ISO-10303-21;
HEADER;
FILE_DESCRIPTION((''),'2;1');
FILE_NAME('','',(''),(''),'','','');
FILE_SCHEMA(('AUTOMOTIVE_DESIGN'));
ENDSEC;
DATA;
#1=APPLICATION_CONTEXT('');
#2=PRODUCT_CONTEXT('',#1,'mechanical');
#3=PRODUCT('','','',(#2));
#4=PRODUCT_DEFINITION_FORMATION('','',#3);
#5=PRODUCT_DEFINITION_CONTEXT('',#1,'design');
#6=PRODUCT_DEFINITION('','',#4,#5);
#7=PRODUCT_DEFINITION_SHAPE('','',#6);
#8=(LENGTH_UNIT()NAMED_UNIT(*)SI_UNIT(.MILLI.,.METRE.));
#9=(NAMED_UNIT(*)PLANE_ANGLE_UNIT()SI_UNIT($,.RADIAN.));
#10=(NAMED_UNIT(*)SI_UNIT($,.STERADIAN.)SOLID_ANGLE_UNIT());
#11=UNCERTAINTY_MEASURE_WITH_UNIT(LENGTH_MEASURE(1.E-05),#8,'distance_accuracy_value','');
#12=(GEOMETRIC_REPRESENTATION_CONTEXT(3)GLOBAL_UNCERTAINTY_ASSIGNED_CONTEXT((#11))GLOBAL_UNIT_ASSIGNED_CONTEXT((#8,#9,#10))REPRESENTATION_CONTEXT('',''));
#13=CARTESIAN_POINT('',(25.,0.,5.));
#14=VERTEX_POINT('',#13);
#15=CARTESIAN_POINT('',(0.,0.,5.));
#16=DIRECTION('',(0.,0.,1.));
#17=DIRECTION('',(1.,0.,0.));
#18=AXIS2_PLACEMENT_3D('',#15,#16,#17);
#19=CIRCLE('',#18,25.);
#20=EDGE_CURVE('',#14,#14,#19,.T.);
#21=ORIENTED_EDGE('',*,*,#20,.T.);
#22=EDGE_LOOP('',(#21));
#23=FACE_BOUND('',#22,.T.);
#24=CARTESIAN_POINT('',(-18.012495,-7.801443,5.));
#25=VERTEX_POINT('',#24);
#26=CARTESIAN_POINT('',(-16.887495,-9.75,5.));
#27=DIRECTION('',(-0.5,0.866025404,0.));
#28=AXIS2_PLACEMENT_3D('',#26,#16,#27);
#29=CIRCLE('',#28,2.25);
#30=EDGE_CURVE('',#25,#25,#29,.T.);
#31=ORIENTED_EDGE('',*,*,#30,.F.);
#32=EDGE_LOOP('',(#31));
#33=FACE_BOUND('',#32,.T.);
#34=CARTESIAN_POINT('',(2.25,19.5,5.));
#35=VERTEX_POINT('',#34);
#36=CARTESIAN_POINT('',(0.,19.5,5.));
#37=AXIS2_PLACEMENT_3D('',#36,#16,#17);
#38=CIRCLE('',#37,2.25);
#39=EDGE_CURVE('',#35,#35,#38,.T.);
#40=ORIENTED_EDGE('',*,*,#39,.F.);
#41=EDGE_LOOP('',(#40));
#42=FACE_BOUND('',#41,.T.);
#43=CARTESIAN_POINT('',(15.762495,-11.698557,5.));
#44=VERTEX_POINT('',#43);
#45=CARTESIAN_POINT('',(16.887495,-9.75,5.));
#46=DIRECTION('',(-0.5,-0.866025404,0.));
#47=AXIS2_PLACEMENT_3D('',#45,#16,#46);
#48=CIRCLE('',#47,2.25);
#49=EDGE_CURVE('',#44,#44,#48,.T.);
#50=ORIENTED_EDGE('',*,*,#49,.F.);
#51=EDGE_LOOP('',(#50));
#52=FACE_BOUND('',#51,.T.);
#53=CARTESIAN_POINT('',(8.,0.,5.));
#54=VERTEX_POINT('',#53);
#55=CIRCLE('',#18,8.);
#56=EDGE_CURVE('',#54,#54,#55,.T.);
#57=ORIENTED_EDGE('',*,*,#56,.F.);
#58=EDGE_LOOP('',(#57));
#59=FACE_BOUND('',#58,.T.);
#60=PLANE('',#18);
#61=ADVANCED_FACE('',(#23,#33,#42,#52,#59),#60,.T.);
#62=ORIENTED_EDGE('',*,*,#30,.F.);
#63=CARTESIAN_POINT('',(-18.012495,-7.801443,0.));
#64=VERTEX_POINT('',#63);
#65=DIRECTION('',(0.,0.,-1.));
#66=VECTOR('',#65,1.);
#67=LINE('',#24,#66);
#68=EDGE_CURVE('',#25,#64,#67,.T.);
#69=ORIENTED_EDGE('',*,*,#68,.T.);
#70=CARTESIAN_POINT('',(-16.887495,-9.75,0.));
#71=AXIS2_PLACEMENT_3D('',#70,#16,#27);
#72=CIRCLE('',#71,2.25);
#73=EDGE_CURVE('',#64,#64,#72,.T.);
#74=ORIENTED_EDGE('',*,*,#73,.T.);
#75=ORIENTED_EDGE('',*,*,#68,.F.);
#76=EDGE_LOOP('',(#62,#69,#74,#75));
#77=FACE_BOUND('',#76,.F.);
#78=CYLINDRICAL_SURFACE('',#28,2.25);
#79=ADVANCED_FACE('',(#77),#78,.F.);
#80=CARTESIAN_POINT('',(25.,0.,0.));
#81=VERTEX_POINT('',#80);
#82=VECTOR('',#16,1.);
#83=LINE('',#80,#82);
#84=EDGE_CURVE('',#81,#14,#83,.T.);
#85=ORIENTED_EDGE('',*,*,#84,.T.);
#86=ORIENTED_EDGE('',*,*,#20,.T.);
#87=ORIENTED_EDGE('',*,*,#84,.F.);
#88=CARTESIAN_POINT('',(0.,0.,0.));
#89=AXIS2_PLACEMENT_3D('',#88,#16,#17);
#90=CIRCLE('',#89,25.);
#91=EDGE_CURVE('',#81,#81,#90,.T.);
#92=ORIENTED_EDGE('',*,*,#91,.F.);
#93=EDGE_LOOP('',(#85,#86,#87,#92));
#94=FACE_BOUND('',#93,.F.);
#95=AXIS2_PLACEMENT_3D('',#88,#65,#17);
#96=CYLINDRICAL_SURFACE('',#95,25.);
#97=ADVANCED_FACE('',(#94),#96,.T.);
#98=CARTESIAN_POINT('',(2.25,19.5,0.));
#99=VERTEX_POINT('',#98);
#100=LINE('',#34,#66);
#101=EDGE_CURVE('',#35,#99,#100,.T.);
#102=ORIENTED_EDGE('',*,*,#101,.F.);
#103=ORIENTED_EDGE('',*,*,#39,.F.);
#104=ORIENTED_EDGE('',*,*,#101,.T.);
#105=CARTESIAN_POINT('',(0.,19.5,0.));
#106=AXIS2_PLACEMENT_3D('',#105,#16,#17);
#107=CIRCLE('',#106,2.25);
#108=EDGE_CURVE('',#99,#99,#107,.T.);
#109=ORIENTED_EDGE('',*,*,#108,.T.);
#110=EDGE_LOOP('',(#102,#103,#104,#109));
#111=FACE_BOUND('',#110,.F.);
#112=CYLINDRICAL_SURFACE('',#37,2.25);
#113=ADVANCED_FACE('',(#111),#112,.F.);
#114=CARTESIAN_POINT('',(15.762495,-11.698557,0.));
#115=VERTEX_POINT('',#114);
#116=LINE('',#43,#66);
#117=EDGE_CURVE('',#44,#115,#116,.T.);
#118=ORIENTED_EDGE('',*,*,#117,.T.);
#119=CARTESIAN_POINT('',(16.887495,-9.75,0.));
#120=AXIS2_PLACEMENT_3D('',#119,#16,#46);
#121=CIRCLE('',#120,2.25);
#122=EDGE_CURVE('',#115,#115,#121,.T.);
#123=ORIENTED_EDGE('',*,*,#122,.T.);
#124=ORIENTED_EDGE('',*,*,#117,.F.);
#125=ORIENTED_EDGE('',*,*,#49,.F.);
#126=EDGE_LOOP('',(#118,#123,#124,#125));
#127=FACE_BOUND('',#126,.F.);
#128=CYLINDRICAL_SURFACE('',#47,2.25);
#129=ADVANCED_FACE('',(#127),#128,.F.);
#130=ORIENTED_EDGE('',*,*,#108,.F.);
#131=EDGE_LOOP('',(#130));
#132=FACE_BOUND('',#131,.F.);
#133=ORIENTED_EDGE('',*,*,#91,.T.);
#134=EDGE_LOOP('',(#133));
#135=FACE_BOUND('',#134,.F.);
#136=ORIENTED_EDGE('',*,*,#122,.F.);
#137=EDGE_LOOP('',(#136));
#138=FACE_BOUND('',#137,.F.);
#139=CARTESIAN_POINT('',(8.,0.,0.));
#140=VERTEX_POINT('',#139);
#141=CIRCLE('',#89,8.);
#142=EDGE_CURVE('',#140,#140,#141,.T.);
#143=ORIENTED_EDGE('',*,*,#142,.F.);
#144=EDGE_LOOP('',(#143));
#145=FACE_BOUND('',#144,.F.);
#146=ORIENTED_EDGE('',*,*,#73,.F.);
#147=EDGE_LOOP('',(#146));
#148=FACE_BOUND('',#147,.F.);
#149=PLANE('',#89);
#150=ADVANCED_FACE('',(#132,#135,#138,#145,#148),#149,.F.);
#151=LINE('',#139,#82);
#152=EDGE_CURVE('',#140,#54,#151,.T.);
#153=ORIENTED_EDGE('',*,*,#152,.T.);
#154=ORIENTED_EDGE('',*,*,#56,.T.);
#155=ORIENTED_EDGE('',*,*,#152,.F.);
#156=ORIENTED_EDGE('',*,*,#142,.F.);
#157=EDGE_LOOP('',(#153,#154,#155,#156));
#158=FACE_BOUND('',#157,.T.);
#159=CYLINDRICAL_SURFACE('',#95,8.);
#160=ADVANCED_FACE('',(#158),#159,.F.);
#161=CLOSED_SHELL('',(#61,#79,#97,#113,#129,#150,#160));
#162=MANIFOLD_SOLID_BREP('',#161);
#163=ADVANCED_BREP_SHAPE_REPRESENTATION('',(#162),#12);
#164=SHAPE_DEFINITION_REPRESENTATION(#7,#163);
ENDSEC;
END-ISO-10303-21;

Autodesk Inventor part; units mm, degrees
ref_plane "YZ Plane" through (0, 0, 0) normal (1, 0, 0) x (0, 1, 0)
ref_plane "XZ Plane" through (0, 0, 0) normal (0, 1, 0) x (-1, 0, 0)
ref_plane "XY Plane" through (0, 0, 0) normal (0, 0, 1) x (1, 0, 0)
sketch "Esboço1" plane through (0, 0, 0) normal (0, 0, 1) x (1, 0, 0)
  circle A0 centre (0, 0) radius 25
  circle A1 centre (0, 0) radius 8
  dimension "d0" = 50
  dimension "d1" = 16
extrude "Extrusão1" add sketch "Esboço1" along normal blind 5
sketch "Esboço2" plane through (0, 0, 5) normal (0, 0, 1) x (1, 0, 0)
  circle A0 centre (0, 0) radius 14 construction
  circle A1 centre (0, 0) radius 25 construction
  line L0 (0, 25) -> (0, 14) construction
  circle A2 centre (0, 19.5) radius 2.25
  dimension "d4" = 28
  dimension "d5" = 4.5
extrude "Extrusão2" cut sketch "Esboço2" against normal through all
pattern_circular "Padrão circular1" count 3 over 360 about axis through (0, 0, 0) along (0, 0, 1) of "Extrusão2"
properties part number "Retentor"
